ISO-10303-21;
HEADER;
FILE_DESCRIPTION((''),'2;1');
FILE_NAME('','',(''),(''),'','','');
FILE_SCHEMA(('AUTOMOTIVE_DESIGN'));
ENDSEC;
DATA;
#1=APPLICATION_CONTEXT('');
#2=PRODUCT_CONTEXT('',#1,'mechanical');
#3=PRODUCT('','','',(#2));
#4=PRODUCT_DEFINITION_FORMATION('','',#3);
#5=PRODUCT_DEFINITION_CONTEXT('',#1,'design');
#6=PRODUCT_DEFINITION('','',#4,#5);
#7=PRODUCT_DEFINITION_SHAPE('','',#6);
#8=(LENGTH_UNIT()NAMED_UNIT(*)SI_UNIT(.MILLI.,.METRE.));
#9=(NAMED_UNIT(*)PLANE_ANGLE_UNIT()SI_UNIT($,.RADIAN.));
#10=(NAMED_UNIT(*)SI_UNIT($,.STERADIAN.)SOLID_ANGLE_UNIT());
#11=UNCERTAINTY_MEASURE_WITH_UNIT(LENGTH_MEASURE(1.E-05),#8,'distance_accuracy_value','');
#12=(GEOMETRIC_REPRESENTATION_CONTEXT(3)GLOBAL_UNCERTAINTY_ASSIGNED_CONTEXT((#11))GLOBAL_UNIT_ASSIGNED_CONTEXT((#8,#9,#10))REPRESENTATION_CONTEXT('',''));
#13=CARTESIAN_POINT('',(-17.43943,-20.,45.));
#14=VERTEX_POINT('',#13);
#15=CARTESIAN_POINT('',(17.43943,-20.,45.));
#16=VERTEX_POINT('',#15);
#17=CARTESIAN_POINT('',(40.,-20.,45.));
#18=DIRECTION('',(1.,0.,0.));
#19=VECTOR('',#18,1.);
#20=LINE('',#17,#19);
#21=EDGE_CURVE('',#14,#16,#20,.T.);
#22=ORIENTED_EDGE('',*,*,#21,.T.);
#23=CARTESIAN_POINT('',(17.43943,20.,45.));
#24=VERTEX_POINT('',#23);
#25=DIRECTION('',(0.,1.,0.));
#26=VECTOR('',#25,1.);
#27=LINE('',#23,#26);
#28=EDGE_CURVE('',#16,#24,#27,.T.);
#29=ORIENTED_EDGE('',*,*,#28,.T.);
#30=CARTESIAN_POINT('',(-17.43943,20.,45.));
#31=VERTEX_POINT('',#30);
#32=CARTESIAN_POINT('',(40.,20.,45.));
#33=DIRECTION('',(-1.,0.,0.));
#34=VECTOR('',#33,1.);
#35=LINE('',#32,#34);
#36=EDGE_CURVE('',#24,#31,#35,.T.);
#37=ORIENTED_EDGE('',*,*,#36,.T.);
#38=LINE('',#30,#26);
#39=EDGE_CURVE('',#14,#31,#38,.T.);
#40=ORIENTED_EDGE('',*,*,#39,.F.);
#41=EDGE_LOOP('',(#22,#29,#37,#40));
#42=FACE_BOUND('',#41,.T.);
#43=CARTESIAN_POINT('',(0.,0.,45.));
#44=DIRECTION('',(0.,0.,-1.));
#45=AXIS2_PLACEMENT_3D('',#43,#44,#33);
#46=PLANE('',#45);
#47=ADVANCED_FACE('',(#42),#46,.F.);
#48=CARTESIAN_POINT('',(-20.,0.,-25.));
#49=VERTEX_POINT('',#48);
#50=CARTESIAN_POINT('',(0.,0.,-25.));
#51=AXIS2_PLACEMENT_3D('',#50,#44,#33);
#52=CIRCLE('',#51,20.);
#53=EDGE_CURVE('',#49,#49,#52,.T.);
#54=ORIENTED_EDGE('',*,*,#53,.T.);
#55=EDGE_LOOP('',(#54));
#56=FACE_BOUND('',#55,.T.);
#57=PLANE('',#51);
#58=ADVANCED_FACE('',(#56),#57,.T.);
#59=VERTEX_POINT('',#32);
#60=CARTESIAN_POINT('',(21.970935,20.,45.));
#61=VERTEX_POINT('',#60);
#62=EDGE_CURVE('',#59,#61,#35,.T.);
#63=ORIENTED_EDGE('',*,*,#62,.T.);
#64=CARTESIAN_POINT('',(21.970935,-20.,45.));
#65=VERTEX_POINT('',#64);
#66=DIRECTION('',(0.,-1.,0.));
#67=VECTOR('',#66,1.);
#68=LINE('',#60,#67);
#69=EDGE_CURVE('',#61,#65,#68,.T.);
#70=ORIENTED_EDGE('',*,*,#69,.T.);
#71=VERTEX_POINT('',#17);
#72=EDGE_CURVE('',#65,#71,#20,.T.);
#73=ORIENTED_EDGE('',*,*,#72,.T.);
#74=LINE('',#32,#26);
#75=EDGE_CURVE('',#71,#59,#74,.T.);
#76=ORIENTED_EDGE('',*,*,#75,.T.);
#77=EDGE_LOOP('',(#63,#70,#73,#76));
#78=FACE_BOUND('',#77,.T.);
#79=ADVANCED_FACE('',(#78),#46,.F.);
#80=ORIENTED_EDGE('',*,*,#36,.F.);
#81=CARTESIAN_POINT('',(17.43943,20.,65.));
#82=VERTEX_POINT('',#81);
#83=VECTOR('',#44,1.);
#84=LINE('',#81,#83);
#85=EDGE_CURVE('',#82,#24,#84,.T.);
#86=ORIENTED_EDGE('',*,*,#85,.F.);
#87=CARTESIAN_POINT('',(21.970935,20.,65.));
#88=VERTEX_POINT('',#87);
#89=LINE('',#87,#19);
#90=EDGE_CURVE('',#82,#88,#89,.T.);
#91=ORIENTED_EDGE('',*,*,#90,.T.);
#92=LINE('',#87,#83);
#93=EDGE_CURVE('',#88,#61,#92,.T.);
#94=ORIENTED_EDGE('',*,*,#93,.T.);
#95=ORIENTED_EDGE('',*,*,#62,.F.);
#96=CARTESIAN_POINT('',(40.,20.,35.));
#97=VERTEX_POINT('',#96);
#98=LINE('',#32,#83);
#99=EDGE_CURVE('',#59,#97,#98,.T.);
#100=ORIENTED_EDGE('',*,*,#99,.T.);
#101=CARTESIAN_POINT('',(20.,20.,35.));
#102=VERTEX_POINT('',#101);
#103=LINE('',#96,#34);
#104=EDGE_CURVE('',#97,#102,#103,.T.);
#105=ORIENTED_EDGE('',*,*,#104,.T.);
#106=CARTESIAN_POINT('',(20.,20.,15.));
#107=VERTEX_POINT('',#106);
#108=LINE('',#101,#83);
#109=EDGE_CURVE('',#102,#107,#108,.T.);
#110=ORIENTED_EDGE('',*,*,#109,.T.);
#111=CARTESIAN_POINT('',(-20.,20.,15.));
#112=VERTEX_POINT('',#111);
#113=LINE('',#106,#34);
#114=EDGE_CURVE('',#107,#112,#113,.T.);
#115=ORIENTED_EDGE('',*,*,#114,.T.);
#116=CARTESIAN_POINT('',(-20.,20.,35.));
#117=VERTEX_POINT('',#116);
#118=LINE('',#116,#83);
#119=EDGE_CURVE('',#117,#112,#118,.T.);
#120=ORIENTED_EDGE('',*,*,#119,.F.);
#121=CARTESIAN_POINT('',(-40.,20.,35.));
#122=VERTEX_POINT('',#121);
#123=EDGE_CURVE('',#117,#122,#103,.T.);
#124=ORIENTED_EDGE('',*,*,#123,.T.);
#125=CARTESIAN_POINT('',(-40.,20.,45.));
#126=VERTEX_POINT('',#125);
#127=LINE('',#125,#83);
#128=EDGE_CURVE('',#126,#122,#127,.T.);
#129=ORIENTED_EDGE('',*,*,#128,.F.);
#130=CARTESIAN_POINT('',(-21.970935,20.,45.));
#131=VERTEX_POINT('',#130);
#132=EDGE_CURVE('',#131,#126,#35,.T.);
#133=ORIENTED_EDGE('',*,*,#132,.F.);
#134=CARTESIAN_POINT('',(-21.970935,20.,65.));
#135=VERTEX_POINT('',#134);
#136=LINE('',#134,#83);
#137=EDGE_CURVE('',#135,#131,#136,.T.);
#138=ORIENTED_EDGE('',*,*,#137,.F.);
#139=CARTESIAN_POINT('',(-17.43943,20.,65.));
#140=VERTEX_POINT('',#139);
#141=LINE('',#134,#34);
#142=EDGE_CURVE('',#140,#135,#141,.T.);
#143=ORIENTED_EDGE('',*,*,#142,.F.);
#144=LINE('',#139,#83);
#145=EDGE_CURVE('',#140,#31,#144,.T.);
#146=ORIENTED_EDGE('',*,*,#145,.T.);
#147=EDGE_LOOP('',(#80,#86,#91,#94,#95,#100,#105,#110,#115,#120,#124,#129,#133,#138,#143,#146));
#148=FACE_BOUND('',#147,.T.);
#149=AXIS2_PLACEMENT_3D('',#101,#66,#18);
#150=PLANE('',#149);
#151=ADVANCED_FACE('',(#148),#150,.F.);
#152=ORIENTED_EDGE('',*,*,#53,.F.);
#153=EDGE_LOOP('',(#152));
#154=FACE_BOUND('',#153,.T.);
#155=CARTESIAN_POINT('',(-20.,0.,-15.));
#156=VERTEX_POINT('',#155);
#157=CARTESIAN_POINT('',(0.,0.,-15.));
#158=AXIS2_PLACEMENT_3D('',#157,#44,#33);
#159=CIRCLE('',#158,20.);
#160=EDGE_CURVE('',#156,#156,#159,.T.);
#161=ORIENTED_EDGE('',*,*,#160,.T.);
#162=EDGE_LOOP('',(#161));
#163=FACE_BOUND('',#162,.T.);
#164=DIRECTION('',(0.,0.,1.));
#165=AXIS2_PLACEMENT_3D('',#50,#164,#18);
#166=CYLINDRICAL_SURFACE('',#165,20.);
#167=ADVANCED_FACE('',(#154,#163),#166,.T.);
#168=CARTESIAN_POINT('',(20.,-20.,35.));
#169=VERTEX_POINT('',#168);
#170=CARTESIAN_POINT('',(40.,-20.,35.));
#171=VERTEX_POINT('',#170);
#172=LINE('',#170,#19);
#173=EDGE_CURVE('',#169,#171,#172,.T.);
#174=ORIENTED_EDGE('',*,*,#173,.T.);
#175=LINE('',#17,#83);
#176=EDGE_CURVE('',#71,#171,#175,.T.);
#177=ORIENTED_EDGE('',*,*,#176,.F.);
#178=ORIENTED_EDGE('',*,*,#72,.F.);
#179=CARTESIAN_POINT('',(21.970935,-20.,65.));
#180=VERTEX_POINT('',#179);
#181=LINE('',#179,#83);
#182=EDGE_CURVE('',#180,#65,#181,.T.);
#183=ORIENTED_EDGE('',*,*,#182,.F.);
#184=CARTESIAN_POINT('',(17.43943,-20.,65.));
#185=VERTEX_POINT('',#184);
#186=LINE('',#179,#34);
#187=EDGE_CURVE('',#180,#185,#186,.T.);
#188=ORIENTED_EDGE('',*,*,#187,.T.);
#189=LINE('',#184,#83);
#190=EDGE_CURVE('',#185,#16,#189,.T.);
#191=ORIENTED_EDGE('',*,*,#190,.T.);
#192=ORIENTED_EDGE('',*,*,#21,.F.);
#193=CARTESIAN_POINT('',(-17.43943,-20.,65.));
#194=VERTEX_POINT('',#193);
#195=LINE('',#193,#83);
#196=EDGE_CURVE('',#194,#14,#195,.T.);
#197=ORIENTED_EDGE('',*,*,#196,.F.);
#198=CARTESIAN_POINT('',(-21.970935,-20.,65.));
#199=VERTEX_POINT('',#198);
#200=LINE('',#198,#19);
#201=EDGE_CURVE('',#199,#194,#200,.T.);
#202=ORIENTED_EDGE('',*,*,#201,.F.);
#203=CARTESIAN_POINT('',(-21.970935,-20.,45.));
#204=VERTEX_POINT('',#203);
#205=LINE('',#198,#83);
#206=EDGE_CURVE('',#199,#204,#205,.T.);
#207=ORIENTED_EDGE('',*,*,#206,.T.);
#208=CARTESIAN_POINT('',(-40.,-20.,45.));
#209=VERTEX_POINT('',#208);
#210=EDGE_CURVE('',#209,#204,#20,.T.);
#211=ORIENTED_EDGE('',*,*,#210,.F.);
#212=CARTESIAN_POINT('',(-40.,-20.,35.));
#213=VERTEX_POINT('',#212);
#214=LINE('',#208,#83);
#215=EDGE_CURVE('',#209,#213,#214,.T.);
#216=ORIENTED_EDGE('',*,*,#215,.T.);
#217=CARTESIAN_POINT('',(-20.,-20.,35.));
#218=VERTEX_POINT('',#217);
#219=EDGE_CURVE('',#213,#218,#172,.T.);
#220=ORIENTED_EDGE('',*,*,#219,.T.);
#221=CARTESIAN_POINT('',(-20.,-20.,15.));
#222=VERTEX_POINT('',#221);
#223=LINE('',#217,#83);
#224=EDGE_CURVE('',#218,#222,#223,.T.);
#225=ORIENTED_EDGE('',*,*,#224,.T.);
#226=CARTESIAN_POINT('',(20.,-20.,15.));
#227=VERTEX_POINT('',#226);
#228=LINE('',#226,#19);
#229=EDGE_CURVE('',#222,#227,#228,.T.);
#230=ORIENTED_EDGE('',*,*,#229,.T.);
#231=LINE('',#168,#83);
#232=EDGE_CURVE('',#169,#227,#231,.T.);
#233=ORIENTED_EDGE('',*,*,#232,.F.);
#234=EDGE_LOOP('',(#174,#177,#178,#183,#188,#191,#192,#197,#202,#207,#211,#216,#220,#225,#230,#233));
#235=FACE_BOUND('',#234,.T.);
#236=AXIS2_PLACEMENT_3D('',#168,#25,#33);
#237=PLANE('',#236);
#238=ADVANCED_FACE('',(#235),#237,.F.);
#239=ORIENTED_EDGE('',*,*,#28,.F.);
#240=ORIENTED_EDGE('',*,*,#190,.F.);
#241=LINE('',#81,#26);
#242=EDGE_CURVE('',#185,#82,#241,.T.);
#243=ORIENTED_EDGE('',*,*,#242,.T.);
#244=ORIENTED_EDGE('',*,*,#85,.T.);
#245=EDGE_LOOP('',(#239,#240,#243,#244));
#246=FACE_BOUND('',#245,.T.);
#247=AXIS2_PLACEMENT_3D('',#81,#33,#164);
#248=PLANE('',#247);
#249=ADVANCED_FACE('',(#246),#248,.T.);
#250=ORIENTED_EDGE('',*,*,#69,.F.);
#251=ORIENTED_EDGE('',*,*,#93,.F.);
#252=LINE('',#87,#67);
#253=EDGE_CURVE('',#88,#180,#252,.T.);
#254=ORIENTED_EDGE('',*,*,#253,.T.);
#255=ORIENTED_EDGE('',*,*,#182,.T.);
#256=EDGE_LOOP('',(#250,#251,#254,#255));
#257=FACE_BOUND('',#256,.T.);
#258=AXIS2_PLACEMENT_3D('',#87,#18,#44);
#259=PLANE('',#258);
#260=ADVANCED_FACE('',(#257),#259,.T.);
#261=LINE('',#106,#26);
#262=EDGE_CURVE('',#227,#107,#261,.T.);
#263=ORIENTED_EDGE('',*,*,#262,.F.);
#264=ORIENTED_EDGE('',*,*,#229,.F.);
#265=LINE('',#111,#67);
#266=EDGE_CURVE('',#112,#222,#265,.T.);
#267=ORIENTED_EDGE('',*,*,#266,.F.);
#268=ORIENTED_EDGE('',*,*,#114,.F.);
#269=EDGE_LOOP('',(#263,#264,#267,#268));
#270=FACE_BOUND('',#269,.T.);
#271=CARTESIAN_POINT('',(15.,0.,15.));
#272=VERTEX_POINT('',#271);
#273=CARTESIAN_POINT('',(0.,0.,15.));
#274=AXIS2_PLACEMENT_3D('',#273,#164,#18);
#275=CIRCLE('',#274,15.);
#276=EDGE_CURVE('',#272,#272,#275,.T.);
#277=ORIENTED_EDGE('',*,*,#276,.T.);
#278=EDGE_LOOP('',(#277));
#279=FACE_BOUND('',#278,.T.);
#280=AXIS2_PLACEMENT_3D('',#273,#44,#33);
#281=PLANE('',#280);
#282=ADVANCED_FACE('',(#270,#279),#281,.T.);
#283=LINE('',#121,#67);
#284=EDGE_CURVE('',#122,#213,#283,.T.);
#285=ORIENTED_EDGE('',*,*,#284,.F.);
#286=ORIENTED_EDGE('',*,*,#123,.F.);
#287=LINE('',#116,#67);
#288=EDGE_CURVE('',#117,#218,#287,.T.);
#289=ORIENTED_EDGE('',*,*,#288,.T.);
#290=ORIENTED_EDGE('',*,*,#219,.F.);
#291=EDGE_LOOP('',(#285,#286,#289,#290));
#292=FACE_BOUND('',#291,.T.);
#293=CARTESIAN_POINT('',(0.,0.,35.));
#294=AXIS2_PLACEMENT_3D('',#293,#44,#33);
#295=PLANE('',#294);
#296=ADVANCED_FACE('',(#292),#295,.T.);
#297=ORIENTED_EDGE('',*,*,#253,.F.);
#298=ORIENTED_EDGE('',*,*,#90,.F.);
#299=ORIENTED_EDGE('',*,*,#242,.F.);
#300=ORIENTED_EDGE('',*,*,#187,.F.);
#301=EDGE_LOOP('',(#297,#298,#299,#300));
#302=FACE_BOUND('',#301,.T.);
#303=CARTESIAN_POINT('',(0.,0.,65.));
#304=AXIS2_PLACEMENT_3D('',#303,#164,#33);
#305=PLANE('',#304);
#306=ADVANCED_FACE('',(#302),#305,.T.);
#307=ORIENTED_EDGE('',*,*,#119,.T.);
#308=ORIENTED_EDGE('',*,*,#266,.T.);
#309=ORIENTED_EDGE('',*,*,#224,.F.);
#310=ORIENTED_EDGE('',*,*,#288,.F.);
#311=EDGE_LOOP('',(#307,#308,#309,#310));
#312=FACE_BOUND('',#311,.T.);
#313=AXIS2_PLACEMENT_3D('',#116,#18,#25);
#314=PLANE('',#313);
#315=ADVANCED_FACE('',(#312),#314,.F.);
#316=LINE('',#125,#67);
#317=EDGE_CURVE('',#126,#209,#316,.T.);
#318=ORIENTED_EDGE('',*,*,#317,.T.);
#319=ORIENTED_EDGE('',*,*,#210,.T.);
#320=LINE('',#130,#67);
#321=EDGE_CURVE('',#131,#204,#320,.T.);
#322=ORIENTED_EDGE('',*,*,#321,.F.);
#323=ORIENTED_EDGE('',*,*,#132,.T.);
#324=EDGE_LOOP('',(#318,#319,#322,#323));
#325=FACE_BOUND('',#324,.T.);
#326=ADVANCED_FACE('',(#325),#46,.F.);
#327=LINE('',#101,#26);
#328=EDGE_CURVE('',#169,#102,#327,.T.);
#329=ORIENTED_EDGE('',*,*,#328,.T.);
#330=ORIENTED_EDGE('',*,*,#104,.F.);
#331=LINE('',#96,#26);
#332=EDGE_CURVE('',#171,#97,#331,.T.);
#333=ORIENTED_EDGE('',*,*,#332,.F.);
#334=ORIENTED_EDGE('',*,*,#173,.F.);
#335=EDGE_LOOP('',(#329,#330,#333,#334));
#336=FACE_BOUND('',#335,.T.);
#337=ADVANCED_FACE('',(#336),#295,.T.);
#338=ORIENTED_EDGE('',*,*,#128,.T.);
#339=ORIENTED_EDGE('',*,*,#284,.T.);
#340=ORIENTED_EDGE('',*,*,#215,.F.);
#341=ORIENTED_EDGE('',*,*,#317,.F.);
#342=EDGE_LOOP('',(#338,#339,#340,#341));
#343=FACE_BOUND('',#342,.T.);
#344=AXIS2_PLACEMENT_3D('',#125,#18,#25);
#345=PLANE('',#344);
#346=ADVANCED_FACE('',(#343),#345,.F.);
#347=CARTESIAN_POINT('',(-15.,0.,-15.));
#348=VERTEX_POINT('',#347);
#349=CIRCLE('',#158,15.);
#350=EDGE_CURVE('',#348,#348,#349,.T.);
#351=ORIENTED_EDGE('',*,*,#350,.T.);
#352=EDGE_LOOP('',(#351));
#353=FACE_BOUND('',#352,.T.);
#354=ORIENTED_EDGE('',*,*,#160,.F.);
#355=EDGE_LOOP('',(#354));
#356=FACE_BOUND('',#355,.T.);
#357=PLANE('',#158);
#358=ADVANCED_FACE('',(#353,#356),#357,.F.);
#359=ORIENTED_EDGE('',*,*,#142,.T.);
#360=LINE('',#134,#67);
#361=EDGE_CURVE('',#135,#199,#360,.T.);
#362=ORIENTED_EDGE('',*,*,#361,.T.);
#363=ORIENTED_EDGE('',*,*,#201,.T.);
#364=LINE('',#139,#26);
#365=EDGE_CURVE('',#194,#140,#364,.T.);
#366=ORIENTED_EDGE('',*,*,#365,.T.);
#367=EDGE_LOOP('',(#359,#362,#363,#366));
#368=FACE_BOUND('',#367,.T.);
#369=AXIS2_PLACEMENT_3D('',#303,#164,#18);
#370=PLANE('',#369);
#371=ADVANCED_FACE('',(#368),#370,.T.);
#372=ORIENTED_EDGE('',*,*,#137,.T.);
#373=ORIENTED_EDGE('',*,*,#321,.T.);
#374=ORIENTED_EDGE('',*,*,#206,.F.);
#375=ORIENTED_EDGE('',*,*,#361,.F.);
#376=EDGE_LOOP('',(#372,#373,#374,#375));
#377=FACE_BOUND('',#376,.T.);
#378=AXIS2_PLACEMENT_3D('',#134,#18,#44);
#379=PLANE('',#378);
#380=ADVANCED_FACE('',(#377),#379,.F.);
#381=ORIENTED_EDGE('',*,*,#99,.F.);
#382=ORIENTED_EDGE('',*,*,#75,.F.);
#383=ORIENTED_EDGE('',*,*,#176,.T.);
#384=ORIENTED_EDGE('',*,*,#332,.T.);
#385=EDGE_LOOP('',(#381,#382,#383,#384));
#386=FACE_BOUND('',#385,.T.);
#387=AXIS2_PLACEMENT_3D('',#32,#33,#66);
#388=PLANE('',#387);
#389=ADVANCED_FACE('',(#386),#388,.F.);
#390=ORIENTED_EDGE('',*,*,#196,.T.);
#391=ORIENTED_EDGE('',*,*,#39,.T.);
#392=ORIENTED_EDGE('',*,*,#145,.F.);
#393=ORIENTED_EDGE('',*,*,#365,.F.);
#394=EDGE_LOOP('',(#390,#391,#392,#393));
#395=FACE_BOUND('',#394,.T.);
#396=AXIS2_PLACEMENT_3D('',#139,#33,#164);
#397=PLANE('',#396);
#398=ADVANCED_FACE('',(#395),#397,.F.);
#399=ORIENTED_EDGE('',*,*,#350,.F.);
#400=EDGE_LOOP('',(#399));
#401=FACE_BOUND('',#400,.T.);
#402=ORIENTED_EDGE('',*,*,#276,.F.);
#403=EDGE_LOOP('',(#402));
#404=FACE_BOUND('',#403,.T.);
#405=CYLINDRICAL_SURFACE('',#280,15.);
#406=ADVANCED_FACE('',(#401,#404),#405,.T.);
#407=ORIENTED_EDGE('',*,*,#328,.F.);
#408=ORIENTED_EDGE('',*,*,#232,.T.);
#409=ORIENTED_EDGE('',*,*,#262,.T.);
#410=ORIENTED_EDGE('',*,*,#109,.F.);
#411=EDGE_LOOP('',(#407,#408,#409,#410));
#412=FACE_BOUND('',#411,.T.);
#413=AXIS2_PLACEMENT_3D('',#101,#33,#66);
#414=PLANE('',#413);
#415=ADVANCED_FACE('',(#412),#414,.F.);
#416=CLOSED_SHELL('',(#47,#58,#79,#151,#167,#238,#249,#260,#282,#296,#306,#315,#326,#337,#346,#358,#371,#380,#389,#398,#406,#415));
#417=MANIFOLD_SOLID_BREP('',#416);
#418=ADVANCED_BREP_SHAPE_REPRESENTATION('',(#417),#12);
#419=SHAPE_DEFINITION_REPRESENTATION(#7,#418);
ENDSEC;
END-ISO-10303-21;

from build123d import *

# Parameters (mm, degrees)
SKETCH1_R           = 15
BOSS_EXTRUDE1_DEPTH = 15
SKETCH2_R           = 20
BOSS_EXTRUDE2_DEPTH = 10
SKETCH3_W           = 40
SKETCH3_H           = 40
BOSS_EXTRUDE3_DEPTH = 20
SKETCH4_W           = 80
SKETCH4_H           = 40
BOSS_EXTRUDE4_DEPTH = 10
SKETCH5_W           = 4.531505326
SKETCH5_H           = 40
BOSS_EXTRUDE5_DEPTH = 20


with BuildPart() as part:
    # Sketch1 → Boss-Extrude1 (new, symmetric)
    with BuildSketch(Plane.XY):
        Circle(SKETCH1_R)
    extrude(amount=BOSS_EXTRUDE1_DEPTH, both=True)

    # Sketch2 → Boss-Extrude2 (add)
    with BuildSketch(Plane(origin=(0, 0, -15), x_dir=(-1, 0, 0), z_dir=(0, 0, -1))):
        Circle(SKETCH2_R)
    extrude(amount=BOSS_EXTRUDE2_DEPTH)

    # Sketch3 → Boss-Extrude3 (add)
    with BuildSketch(Plane.XY.offset(15)):
        Rectangle(SKETCH3_W, SKETCH3_H)
    extrude(amount=BOSS_EXTRUDE3_DEPTH)

    # Sketch4 → Boss-Extrude4 (add)
    with BuildSketch(Plane.XY.offset(35)):
        Rectangle(SKETCH4_W, SKETCH4_H)
    extrude(amount=BOSS_EXTRUDE4_DEPTH)

    # Sketch5 → Boss-Extrude5 (add)
    with BuildSketch(Plane.XY.offset(45)):
        with Locations((-19.705182252, 0)):
            Rectangle(SKETCH5_W, SKETCH5_H)
    boss_extrude5 = extrude(amount=BOSS_EXTRUDE5_DEPTH)

    # Mirror1: Boss-Extrude5 across plane
    add(boss_extrude5.mirror(Plane(origin=(0, 0, 0), x_dir=(0, 0, 1), z_dir=(1, 0, 0))))


solid = part.part
